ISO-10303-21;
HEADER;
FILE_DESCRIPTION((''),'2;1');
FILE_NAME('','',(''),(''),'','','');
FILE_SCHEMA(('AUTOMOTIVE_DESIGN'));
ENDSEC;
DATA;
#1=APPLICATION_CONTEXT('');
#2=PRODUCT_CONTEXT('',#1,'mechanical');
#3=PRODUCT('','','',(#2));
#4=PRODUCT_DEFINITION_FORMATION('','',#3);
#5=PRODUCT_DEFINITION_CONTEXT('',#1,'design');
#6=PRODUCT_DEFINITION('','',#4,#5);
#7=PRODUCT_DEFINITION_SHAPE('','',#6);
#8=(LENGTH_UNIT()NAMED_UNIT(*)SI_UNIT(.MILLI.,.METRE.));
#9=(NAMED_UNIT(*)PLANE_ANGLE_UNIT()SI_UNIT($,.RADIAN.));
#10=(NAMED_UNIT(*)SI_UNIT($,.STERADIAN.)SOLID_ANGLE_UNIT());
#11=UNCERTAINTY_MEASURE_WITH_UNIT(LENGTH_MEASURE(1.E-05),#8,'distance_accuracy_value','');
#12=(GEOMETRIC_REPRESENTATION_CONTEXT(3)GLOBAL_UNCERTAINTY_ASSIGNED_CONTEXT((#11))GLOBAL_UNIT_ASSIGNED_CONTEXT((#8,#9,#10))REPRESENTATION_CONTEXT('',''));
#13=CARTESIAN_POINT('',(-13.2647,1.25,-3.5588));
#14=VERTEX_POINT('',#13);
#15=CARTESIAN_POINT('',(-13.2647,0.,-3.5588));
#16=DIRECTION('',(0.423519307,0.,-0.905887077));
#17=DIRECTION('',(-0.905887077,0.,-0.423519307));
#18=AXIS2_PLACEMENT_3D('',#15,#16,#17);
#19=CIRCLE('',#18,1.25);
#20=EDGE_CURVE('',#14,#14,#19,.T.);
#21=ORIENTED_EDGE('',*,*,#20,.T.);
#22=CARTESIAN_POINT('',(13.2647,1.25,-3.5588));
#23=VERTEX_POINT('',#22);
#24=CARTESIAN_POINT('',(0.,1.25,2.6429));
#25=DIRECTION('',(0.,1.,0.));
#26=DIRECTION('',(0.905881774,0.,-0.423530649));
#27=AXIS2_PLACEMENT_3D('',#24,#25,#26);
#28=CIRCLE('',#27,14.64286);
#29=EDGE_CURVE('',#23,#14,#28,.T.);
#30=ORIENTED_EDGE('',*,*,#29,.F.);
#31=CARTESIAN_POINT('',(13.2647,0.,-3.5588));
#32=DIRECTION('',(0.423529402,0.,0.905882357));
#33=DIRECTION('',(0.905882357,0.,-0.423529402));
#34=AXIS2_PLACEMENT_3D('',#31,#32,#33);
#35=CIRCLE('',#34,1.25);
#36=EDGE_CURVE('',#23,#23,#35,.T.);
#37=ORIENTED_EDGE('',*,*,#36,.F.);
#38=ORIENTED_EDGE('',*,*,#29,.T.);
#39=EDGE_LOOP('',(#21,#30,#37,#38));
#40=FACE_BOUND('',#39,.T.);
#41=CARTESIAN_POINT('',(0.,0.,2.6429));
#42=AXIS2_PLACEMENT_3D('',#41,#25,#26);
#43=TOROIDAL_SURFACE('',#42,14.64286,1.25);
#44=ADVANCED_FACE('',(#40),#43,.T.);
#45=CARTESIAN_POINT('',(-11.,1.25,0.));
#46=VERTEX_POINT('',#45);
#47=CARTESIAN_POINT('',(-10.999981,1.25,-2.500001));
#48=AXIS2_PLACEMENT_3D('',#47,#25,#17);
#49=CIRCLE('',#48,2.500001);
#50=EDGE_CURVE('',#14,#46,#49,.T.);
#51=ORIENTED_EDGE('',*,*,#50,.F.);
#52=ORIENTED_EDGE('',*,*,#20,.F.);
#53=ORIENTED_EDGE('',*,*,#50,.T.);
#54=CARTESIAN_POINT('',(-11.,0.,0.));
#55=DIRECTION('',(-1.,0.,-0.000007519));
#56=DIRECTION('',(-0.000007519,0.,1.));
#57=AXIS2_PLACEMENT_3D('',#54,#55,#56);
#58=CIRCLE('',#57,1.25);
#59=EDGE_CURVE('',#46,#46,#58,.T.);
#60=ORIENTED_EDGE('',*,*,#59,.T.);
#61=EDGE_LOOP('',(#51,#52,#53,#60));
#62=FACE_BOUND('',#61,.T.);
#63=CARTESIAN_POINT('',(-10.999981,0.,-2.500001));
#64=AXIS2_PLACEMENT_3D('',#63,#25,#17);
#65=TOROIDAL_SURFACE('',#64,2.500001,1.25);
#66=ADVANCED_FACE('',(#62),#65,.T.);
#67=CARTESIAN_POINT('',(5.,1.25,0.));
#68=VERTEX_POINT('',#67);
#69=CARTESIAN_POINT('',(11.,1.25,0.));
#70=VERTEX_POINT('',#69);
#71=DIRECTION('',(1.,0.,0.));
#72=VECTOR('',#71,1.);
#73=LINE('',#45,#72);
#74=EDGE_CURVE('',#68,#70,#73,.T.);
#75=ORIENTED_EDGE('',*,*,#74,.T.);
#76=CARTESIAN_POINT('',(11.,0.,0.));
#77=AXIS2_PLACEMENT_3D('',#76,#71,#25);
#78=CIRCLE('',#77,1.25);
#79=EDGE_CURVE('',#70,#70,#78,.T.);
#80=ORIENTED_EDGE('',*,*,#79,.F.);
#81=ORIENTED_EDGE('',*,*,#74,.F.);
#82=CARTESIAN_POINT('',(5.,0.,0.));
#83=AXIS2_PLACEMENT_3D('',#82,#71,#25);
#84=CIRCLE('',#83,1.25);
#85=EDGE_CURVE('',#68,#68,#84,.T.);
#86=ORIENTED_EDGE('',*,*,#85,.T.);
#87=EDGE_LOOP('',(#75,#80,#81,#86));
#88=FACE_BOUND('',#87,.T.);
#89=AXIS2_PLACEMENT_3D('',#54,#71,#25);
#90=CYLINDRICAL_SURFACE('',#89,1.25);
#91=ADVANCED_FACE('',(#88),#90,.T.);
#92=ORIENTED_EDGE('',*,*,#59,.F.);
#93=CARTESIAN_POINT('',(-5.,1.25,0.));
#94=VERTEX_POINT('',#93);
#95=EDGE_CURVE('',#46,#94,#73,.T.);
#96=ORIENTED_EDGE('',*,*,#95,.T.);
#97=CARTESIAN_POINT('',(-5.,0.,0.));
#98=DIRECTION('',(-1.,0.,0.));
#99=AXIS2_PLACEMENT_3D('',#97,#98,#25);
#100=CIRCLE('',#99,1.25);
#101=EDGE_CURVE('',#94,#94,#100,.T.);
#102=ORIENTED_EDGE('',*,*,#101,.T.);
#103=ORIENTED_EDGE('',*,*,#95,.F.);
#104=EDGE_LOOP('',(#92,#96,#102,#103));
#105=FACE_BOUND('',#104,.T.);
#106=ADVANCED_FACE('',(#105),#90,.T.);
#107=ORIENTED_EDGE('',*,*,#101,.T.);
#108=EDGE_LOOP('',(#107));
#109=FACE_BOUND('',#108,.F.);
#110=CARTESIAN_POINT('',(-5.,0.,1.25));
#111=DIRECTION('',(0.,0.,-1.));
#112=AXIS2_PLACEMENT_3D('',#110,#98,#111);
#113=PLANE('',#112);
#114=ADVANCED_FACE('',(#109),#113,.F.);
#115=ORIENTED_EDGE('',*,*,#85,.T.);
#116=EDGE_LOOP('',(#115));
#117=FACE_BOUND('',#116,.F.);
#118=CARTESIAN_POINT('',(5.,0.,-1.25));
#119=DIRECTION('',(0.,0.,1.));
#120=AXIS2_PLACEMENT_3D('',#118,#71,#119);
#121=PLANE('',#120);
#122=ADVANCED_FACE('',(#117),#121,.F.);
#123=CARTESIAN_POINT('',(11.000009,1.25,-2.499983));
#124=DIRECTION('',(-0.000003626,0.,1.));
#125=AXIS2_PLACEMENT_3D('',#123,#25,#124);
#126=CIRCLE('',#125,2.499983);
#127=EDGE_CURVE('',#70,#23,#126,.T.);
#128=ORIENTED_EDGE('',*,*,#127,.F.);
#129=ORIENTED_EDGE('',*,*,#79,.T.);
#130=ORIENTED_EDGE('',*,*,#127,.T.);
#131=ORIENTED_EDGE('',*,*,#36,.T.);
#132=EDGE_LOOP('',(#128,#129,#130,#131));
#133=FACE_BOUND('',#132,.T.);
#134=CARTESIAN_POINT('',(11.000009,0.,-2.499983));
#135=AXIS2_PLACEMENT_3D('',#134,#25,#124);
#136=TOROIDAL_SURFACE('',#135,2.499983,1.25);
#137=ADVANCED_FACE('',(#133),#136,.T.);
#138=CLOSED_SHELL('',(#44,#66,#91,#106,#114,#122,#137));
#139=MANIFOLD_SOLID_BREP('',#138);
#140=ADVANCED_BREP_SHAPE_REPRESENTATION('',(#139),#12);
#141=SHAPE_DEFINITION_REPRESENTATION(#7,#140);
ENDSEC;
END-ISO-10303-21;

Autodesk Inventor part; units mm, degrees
ref_plane "YZ Plane" through (0, 0, 0) normal (1, 0, 0) x (0, 1, 0)
ref_plane "XZ Plane" through (0, 0, 0) normal (0, 1, 0) x (-1, 0, 0)
ref_plane "XY Plane" through (0, 0, 0) normal (0, 0, 1) x (1, 0, 0)
sketch "Sketch1" plane through (0, 0, 0) normal (1, 0, 0) x (0, 1, 0)
  circle A0 centre (0, 0) radius 1.25
  dimension "d0" = 2.5
sketch "Sketch2" plane through (0, 0, 0) normal (0, 1, 0) x (-1, 0, 0)
  line L0 (0, -14.9286) -> (0, 5.5714) projected
  arc A0 (13.2647, -3.5588) -> (11, 0) centre (11, -2.5) ccw
  arc A1 (-11, 0) -> (-13.2647, -3.5588) centre (-11, -2.5) ccw
  line L1 (11, 0) -> (-11, 0)
  arc A2 (-13.2647, -3.5588) -> (13.2647, -3.5588) centre (0, 2.6429) ccw
  point P0 (0, 0)
  dimension "d4" = 5
  dimension "d5" = 27
  dimension "d6" = 12
sweep "Sweep1" add profiles "Sketch1" path "Sketch2" path curves L1 A1 A2 A0
sketch "Sketch3" plane through (0, 0, 0) normal (0, 1, 0) x (-1, 0, 0)
  line L0 (5, -1.25) -> (-5, -1.25)
  line L1 (-5, -1.25) -> (-5, 1.25)
  line L2 (-5, 1.25) -> (5, 1.25)
  line L3 (5, 1.25) -> (5, -1.25)
  line L4 (11, 1.25) -> (-11, 1.25) projected
  line L5 (11, -1.25) -> (-11, -1.25) projected
  point P0 (0, 0)
  point P1 (0, 1.25)
  dimension "d8" = 10
extrude "Extrusion1" cut sketch "Sketch3" along normal through all both and the other way through all
properties part number "Thumb Screw Handle" material "Steel, Mild"
